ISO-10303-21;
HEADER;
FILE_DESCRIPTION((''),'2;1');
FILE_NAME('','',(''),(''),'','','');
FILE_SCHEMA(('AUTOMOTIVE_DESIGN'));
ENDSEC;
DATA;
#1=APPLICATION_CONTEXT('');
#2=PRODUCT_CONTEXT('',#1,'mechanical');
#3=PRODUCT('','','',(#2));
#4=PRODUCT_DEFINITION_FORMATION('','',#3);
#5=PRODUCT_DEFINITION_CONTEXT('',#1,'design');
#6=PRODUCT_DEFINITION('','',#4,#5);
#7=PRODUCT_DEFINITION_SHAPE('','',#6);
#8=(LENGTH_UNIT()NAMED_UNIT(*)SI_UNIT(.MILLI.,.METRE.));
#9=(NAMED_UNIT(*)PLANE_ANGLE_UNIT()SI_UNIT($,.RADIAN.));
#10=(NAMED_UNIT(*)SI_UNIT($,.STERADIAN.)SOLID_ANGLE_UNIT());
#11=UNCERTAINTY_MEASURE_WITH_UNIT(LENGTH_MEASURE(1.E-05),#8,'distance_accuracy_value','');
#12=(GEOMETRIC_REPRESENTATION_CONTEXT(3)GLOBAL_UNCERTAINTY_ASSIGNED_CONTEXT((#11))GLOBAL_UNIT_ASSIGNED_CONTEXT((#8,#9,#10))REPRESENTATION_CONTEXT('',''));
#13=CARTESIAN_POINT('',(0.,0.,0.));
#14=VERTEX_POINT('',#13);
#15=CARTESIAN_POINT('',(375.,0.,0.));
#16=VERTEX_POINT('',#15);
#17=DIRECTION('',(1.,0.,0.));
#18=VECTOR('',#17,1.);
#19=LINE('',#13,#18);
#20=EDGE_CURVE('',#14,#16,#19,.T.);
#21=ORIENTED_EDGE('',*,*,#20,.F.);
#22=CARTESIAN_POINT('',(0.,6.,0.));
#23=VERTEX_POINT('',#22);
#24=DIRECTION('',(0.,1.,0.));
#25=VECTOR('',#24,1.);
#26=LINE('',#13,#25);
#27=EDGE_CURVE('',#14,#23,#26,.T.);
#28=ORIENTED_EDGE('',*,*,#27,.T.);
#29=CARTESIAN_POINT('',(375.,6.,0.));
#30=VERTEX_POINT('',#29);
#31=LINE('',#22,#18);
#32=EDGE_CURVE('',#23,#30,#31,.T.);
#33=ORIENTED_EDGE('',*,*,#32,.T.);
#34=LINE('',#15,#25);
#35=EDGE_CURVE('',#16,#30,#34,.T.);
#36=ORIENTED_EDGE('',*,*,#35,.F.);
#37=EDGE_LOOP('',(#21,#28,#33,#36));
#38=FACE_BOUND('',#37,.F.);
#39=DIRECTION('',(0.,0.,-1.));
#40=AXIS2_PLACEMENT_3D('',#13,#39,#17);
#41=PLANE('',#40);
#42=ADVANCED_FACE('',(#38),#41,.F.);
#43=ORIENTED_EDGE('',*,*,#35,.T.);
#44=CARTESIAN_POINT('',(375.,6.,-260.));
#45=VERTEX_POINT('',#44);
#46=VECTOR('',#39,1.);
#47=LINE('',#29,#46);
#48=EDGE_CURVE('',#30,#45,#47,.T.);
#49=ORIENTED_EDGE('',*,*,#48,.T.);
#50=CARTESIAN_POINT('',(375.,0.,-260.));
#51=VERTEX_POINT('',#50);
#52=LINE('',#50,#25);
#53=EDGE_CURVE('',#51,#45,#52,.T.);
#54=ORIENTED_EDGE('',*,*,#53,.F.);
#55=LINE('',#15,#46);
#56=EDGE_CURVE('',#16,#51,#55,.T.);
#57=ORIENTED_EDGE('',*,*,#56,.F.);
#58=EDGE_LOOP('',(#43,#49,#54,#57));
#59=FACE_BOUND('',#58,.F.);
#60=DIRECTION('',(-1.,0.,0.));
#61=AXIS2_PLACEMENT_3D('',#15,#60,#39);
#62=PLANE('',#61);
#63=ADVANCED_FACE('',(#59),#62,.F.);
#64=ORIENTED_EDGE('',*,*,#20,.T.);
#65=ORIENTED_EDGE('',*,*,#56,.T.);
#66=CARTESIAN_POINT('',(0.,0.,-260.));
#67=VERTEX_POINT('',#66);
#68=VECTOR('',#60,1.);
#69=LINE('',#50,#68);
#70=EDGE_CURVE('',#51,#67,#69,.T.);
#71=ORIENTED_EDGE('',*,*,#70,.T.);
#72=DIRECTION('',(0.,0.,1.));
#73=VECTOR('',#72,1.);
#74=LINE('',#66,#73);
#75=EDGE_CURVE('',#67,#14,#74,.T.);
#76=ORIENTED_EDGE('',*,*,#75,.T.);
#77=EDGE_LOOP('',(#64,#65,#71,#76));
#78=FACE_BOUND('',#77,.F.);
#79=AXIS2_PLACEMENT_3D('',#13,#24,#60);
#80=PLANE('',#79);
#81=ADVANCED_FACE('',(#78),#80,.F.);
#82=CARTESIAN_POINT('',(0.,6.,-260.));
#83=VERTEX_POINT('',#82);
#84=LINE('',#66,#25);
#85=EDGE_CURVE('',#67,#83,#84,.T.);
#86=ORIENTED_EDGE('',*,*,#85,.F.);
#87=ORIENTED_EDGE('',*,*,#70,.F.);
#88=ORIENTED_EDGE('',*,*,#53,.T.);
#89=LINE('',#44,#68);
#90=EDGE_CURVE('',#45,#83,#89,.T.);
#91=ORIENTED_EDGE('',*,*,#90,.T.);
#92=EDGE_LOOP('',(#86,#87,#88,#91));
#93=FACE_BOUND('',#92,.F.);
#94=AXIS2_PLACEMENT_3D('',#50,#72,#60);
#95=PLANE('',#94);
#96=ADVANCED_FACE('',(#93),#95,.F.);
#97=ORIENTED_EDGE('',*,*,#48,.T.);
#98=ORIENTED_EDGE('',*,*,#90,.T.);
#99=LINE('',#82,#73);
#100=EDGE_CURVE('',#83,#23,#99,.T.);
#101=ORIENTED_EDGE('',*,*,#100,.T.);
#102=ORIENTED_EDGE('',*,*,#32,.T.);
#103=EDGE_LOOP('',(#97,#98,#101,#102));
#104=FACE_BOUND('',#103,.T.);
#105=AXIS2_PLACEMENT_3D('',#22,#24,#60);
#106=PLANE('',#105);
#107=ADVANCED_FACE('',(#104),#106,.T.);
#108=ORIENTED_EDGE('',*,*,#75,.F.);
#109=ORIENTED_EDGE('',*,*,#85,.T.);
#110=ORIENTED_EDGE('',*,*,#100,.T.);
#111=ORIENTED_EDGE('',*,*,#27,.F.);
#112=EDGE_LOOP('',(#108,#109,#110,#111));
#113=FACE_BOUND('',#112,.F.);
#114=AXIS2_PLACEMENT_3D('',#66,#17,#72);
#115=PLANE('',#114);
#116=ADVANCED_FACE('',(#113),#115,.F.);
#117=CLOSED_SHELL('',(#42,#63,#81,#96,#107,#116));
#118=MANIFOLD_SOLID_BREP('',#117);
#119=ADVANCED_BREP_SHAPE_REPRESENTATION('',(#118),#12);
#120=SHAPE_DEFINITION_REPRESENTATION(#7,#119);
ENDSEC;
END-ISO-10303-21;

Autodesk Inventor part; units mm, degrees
ref_plane "YZ Plane" through (0, 0, 0) normal (1, 0, 0) x (0, 1, 0)
ref_plane "XZ Plane" through (0, 0, 0) normal (0, 1, 0) x (-1, 0, 0)
ref_plane "XY Plane" through (0, 0, 0) normal (0, 0, 1) x (1, 0, 0)
sketch "Эскиз1" plane through (0, 0, 0) normal (0, 1, 0) x (-1, 0, 0)
  line L0 (0, 0) -> (-375, 0)
  line L1 (-375, 0) -> (-375, -260)
  line L2 (-375, -260) -> (0, -260)
  line L3 (0, -260) -> (0, 0)
  dimension "d0" = 375
  dimension "d1" = 260
extrude "Выдавливание1" add sketch "Эскиз1" along normal blind 6
properties part number "Платформа"
